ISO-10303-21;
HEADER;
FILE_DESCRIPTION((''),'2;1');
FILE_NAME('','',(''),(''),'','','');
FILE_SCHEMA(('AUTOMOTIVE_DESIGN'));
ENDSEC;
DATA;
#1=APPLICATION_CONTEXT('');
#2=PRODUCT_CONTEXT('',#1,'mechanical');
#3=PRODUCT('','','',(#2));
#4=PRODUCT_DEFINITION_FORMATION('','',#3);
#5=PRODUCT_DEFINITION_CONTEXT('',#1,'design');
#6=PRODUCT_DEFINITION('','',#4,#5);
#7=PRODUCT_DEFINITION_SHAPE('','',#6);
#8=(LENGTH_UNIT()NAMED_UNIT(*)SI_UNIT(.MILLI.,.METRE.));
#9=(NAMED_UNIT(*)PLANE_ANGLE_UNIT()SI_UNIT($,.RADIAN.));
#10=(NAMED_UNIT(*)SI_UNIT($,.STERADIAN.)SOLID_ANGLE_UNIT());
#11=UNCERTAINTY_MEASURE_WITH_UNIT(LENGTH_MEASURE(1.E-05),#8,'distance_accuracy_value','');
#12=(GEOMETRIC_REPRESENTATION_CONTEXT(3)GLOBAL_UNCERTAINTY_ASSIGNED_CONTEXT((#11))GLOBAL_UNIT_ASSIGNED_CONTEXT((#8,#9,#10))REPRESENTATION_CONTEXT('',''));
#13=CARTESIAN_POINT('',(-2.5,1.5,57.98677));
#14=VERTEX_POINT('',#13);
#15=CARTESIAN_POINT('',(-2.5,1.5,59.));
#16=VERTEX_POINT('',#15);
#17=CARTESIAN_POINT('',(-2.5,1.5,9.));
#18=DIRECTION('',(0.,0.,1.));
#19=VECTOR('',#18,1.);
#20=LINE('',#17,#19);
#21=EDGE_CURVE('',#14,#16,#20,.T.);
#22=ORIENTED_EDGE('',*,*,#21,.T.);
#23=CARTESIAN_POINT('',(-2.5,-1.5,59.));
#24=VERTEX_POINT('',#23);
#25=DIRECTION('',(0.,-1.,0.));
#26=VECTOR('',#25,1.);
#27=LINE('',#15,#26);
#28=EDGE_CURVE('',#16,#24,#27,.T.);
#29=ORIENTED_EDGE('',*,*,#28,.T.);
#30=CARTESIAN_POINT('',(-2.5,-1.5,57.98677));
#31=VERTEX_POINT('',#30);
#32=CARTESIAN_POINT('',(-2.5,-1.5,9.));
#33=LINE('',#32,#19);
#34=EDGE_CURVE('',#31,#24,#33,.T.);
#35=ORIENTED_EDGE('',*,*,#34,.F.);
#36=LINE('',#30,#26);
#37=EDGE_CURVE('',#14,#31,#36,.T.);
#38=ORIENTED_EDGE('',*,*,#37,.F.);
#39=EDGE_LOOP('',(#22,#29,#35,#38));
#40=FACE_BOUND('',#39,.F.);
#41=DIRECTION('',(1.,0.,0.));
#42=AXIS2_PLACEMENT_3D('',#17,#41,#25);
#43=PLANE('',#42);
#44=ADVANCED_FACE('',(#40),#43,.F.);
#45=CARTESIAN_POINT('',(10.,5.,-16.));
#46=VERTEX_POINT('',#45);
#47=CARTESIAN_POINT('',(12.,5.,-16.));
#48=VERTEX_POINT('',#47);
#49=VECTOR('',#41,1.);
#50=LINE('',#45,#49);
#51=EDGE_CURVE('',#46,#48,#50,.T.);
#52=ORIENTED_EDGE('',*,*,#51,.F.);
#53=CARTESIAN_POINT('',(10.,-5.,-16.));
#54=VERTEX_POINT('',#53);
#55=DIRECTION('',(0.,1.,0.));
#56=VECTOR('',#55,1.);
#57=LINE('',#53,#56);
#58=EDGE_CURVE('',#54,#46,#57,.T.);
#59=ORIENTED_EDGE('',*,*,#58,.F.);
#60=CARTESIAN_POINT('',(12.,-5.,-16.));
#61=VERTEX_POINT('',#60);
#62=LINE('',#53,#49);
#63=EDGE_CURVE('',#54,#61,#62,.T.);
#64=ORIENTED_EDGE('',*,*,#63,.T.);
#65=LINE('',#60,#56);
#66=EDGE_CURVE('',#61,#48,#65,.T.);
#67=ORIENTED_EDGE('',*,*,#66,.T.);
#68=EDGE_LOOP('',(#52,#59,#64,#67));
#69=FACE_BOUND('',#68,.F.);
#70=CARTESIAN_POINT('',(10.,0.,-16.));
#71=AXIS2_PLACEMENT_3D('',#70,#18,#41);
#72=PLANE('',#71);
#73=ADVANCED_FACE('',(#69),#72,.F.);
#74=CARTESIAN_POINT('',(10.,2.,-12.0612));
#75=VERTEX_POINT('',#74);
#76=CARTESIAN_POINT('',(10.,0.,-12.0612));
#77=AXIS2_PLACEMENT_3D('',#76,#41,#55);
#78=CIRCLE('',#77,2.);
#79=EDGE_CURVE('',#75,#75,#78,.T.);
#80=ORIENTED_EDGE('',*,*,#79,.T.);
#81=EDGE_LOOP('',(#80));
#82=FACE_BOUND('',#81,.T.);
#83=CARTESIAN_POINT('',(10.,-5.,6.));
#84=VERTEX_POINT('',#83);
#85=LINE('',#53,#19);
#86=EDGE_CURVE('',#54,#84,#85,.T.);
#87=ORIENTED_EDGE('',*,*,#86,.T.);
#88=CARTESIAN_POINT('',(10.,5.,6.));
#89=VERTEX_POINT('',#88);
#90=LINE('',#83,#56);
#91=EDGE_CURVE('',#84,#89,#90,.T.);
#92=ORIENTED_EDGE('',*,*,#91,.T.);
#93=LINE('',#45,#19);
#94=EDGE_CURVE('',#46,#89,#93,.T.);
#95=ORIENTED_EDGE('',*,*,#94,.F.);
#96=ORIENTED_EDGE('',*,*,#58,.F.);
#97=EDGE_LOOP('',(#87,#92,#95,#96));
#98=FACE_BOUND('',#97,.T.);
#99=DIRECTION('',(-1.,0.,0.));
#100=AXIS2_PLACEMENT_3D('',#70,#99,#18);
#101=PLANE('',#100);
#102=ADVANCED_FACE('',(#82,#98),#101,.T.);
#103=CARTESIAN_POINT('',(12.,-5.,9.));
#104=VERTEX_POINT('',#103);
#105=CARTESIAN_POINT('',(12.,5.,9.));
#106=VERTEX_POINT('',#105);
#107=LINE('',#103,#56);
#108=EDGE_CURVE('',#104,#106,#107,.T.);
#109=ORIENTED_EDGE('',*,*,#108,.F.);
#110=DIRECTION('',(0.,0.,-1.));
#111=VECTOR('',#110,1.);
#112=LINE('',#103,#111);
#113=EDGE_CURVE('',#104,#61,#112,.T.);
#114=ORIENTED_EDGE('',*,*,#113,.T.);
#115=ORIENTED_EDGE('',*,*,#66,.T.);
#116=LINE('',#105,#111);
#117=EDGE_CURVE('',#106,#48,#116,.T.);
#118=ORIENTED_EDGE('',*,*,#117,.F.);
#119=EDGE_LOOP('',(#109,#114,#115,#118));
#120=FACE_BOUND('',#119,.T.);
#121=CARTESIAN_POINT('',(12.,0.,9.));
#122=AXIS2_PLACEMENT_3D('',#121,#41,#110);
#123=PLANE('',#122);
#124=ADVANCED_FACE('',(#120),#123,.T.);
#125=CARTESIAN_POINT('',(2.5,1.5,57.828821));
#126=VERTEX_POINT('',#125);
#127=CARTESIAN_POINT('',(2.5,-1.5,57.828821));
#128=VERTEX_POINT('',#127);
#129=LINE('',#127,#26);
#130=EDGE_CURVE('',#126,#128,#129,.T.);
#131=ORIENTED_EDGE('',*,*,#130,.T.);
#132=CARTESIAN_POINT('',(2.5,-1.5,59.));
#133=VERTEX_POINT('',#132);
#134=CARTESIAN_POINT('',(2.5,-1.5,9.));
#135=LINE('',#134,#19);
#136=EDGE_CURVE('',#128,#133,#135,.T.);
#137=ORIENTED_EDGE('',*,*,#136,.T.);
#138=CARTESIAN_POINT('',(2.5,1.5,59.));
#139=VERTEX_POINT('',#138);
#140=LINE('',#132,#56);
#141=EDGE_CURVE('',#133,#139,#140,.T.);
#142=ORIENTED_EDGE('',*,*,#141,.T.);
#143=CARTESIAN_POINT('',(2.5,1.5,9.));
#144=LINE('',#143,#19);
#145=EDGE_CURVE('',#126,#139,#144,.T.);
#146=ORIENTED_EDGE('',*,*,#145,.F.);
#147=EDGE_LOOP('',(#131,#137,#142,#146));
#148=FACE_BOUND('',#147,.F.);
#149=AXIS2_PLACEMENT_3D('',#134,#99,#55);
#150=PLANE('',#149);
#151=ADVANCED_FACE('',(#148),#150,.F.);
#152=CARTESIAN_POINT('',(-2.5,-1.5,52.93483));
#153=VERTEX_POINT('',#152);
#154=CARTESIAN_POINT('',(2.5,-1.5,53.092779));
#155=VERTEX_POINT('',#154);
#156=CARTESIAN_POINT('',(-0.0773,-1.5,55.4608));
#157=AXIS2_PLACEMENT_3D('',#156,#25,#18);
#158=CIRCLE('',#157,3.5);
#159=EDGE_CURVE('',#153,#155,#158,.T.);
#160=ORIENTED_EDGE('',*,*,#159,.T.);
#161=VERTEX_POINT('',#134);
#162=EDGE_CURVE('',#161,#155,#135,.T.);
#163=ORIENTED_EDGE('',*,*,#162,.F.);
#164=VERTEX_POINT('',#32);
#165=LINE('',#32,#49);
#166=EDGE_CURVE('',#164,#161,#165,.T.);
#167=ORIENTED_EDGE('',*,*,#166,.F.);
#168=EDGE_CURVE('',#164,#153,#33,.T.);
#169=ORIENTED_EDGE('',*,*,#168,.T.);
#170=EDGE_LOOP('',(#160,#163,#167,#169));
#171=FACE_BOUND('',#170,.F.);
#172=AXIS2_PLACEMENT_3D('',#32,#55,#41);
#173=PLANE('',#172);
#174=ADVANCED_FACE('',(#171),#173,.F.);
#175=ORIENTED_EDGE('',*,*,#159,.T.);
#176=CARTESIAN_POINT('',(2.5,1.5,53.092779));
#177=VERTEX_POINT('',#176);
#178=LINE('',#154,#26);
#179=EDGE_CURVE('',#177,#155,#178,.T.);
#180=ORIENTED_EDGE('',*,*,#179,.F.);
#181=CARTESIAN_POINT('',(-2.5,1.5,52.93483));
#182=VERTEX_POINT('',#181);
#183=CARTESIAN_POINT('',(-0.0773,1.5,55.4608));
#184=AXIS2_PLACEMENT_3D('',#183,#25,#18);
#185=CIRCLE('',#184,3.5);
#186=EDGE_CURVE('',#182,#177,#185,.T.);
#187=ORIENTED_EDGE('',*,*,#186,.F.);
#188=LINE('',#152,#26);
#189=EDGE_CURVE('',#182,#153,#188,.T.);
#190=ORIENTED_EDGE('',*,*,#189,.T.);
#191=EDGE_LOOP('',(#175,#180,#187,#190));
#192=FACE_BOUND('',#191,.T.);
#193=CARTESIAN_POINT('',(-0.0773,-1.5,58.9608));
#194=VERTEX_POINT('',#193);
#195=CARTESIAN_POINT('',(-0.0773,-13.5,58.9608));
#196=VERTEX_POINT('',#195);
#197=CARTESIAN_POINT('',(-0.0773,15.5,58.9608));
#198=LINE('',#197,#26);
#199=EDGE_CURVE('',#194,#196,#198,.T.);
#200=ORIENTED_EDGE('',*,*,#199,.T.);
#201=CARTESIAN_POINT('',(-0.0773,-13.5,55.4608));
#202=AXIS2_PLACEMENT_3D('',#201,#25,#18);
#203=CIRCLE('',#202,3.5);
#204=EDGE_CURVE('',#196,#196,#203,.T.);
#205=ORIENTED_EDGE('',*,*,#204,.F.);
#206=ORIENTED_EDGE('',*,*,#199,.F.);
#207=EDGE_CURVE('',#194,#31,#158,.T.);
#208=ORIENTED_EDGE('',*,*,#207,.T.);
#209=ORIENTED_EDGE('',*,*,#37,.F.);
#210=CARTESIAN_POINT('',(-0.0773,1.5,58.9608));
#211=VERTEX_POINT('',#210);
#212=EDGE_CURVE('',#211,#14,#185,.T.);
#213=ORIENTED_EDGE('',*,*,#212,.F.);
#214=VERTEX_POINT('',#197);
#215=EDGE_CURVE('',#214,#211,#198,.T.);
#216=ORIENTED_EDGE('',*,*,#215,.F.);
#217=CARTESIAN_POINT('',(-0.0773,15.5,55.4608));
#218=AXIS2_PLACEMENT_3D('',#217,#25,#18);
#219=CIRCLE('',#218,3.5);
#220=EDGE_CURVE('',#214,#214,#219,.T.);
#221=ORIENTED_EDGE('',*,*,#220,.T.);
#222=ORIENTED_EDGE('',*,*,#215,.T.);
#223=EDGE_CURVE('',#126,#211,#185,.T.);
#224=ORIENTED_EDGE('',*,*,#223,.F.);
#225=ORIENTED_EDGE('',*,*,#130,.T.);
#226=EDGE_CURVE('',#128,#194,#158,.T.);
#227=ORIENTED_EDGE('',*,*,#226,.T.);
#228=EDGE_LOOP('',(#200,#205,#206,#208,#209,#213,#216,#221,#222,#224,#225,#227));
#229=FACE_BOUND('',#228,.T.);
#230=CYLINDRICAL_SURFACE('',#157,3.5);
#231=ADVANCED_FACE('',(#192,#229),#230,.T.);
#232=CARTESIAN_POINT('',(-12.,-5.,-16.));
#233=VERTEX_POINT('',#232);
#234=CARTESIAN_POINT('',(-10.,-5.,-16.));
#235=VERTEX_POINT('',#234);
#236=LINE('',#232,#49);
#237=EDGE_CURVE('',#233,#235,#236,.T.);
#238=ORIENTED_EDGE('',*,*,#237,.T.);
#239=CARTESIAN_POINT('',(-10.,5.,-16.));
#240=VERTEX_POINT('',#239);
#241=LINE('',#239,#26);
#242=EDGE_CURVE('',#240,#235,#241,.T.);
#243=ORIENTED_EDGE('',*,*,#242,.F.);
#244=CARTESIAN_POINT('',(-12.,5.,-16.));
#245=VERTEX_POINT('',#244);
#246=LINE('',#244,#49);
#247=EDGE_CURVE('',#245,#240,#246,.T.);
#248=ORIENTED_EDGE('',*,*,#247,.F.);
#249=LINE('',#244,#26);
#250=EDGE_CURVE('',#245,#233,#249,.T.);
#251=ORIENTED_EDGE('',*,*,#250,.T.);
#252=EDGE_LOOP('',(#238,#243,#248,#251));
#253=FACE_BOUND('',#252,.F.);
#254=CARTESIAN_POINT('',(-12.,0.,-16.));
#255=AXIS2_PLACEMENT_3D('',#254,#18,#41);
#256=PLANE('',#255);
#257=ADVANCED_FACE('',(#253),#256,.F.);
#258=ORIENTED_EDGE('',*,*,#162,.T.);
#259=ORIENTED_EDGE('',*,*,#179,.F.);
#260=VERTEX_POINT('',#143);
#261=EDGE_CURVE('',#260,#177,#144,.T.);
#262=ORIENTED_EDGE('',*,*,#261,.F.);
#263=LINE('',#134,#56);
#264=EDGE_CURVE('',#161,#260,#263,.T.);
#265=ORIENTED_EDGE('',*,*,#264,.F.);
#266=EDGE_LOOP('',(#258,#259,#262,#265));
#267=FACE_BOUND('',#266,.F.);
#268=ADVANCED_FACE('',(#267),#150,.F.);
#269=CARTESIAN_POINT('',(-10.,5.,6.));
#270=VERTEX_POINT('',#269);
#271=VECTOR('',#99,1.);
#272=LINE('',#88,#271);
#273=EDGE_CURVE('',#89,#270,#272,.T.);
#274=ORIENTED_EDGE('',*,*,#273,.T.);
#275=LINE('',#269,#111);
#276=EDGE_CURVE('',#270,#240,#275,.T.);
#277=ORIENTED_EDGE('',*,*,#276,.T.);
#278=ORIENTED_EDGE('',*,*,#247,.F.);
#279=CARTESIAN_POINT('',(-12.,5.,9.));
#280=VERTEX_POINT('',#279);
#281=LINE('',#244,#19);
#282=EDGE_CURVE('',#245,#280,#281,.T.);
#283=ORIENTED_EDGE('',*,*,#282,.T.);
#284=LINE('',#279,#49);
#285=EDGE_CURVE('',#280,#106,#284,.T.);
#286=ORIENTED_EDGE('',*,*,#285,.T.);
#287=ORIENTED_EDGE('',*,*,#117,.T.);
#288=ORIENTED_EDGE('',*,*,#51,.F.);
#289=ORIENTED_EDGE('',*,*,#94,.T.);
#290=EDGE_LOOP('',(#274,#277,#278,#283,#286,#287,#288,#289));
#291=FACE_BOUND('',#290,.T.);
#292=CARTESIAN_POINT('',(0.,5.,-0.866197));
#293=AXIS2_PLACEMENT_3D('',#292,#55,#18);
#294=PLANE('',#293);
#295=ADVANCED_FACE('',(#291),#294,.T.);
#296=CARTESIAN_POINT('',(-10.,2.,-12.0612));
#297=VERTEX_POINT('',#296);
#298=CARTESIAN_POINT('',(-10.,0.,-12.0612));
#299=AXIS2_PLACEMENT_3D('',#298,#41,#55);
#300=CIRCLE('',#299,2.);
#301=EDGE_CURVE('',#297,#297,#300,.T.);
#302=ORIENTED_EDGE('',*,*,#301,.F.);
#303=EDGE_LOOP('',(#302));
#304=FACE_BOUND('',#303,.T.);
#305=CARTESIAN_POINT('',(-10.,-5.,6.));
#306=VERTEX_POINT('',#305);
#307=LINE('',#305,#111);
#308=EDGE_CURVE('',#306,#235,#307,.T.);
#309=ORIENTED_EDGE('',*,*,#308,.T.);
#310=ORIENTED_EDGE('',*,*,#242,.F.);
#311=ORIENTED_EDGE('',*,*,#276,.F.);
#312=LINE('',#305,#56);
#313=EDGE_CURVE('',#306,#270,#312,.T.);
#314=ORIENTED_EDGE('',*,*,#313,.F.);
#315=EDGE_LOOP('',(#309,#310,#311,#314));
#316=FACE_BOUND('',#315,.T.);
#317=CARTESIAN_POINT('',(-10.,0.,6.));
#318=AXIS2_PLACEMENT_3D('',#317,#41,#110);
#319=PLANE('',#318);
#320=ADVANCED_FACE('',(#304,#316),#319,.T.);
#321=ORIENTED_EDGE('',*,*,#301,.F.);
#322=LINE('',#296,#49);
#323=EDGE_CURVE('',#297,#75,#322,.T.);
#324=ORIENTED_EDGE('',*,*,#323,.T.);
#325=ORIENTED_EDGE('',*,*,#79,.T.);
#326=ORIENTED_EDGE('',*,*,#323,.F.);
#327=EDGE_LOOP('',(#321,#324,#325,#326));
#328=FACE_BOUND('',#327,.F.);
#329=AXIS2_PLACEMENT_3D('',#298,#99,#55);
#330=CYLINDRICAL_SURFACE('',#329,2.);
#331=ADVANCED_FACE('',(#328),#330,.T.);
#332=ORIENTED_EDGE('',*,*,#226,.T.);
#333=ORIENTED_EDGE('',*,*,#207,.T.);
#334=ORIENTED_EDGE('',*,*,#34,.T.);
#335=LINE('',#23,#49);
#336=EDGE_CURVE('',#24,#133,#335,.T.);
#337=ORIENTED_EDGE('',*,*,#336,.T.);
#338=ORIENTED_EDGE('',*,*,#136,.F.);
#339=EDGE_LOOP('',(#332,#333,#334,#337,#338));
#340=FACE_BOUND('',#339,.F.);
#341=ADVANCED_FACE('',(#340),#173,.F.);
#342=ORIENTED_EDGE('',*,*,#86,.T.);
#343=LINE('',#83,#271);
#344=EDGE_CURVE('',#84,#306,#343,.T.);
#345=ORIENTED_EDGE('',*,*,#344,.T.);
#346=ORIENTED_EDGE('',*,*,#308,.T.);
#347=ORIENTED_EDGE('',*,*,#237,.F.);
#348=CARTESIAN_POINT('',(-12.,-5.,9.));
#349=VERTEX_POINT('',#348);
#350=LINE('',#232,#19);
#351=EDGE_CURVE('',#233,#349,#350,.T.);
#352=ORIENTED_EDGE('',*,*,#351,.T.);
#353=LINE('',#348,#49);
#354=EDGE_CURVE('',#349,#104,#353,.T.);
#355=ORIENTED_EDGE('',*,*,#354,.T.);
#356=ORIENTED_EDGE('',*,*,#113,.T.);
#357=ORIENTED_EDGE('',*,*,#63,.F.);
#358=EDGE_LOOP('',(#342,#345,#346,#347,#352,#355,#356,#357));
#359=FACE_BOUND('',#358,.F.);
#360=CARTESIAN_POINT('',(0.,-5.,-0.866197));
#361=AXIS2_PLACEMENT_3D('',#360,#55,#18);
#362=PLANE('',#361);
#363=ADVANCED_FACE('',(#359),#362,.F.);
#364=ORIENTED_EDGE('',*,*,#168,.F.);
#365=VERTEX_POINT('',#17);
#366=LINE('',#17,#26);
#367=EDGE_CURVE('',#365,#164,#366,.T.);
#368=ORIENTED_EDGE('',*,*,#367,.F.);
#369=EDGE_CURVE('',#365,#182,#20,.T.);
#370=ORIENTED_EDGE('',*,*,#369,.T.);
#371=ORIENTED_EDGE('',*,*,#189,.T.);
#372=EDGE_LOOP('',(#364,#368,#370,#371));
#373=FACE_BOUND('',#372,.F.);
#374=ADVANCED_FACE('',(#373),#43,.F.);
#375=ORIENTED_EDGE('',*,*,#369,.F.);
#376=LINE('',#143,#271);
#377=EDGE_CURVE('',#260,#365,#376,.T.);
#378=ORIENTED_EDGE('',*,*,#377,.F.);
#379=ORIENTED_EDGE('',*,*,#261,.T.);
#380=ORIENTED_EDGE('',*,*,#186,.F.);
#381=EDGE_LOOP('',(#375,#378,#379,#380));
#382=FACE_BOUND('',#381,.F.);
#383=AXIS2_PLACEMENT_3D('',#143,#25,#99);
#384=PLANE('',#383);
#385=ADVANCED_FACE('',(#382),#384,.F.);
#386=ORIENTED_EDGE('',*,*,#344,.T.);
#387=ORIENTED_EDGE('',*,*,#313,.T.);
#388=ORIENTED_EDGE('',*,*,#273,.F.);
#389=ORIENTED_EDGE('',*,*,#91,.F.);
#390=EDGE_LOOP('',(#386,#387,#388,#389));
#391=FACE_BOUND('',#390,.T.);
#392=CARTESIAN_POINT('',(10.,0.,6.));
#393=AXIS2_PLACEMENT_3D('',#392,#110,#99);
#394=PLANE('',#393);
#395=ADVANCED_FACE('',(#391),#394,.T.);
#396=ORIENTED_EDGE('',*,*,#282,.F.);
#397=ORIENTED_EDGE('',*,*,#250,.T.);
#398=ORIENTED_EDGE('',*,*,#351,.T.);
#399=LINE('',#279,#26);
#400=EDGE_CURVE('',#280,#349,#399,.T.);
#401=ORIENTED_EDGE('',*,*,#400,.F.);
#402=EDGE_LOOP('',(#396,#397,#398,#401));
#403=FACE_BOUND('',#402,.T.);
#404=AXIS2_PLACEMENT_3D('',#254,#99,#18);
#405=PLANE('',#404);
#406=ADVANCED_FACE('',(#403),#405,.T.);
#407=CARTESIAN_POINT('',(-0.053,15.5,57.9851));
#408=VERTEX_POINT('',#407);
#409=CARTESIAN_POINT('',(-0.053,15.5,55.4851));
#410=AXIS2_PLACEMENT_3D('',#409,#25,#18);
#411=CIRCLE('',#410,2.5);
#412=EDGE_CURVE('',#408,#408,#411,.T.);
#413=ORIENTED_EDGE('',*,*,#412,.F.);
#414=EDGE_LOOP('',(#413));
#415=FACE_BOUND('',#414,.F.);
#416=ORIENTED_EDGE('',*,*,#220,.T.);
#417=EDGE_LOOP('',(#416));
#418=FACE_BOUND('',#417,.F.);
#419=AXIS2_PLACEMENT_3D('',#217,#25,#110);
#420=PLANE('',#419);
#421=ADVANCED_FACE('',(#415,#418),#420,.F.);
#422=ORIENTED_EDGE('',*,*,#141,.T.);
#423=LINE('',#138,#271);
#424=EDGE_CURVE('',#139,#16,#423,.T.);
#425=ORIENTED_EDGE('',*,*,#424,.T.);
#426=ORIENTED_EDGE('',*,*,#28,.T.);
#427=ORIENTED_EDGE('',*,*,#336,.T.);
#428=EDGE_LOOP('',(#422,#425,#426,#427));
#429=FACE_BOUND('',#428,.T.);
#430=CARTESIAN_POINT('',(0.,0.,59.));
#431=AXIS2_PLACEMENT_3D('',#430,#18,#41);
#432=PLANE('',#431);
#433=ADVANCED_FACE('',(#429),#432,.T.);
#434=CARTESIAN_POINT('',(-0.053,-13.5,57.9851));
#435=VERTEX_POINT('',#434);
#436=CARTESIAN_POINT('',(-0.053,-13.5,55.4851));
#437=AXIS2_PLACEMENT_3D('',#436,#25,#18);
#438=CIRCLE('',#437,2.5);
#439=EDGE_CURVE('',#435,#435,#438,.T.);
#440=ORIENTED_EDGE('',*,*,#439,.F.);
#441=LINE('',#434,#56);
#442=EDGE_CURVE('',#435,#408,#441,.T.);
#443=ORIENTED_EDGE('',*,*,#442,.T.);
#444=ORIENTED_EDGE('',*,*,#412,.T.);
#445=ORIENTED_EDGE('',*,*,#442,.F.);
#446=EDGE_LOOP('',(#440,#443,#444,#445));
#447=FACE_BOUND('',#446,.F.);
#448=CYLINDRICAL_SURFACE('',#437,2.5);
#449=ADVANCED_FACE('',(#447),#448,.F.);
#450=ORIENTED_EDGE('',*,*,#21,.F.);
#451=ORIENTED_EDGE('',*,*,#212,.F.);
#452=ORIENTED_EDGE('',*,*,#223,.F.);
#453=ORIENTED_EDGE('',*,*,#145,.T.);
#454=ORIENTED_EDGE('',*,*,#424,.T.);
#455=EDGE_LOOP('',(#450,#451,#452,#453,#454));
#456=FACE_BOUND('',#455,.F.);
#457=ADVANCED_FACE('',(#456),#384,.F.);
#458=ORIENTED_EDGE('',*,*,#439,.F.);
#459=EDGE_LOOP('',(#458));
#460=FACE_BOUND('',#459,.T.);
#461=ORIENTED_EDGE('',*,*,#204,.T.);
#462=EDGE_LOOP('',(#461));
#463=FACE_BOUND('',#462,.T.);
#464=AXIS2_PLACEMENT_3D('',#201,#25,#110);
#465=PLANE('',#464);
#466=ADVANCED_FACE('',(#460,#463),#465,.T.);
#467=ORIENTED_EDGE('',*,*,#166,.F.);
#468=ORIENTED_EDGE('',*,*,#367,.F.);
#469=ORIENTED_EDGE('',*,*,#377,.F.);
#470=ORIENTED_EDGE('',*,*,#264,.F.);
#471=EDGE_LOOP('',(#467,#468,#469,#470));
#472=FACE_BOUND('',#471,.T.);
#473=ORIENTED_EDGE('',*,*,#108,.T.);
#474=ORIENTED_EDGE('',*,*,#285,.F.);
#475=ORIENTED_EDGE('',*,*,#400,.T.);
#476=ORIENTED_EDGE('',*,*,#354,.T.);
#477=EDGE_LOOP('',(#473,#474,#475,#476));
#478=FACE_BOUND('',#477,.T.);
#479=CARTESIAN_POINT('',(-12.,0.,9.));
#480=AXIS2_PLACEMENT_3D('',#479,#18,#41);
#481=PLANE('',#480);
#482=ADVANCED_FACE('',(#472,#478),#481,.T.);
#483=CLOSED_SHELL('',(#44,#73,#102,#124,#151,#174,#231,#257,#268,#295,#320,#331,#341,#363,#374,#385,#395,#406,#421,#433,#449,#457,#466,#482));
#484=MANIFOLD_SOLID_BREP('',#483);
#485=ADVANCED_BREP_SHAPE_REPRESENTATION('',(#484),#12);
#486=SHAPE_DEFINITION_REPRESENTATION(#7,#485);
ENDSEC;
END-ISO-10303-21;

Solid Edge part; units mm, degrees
sketch "Sketch1" plane through (0, 0, 0) normal (0, -1, 0) x (1, 0, 0)
  line L0 (-12, 9) -> (12, 9)
  line L1 (12, 9) -> (12, -16)
  line L2 (10, -16) -> (12, -16)
  line L3 (10, -16) -> (10, 6)
  line L4 (10, 6) -> (-10, 6)
  line L5 (-10, 6) -> (-10, -16)
  line L6 (-12, -16) -> (-10, -16)
  line L7 (-12, -16) -> (-12, 9)
extrude "Protrusion1" add sketch "Sketch1" along normal mid plane 10
sketch "Sketch2" plane through (-10, 0, -5) normal (1, 0, 0) x (0, 1, 0)
  circle A0 centre (0, -7.0612) radius 2
extrude "ExtrudedProtrusion_5" add sketch "Sketch2" along normal blind 20
sketch "Sketch3" plane through (0, 0, 9) normal (0, 0, 1) x (1, 0, 0)
  line L0 (2.5, -1.5) -> (2.5, 1.5)
  line L1 (2.5, 1.5) -> (-2.5, 1.5)
  line L2 (-2.5, 1.5) -> (-2.5, -1.5)
  line L3 (-2.5, -1.5) -> (2.5, -1.5)
extrude "ExtrudedProtrusion_6" add sketch "Sketch3" along normal blind 50
sketch "Sketch4" plane through (0, -1.5, 34) normal (0, -1, 0) x (0, 0, 1)
  circle A0 centre (21.4608, 0.0773) radius 3.5
extrude "ExtrudedProtrusion_9" add sketch "Sketch4" against normal blind 17 and the other way blind 12
sketch "Sketch5" plane through (-0.0773, -13.5, 55.4608) normal (0, -1, 0) x (0, 0, 1)
  circle A0 centre (0.0243, -0.0243) radius 2.5
extrude "ExtrudedCutout_2" cut sketch "Sketch5" against normal blind 47.3814
